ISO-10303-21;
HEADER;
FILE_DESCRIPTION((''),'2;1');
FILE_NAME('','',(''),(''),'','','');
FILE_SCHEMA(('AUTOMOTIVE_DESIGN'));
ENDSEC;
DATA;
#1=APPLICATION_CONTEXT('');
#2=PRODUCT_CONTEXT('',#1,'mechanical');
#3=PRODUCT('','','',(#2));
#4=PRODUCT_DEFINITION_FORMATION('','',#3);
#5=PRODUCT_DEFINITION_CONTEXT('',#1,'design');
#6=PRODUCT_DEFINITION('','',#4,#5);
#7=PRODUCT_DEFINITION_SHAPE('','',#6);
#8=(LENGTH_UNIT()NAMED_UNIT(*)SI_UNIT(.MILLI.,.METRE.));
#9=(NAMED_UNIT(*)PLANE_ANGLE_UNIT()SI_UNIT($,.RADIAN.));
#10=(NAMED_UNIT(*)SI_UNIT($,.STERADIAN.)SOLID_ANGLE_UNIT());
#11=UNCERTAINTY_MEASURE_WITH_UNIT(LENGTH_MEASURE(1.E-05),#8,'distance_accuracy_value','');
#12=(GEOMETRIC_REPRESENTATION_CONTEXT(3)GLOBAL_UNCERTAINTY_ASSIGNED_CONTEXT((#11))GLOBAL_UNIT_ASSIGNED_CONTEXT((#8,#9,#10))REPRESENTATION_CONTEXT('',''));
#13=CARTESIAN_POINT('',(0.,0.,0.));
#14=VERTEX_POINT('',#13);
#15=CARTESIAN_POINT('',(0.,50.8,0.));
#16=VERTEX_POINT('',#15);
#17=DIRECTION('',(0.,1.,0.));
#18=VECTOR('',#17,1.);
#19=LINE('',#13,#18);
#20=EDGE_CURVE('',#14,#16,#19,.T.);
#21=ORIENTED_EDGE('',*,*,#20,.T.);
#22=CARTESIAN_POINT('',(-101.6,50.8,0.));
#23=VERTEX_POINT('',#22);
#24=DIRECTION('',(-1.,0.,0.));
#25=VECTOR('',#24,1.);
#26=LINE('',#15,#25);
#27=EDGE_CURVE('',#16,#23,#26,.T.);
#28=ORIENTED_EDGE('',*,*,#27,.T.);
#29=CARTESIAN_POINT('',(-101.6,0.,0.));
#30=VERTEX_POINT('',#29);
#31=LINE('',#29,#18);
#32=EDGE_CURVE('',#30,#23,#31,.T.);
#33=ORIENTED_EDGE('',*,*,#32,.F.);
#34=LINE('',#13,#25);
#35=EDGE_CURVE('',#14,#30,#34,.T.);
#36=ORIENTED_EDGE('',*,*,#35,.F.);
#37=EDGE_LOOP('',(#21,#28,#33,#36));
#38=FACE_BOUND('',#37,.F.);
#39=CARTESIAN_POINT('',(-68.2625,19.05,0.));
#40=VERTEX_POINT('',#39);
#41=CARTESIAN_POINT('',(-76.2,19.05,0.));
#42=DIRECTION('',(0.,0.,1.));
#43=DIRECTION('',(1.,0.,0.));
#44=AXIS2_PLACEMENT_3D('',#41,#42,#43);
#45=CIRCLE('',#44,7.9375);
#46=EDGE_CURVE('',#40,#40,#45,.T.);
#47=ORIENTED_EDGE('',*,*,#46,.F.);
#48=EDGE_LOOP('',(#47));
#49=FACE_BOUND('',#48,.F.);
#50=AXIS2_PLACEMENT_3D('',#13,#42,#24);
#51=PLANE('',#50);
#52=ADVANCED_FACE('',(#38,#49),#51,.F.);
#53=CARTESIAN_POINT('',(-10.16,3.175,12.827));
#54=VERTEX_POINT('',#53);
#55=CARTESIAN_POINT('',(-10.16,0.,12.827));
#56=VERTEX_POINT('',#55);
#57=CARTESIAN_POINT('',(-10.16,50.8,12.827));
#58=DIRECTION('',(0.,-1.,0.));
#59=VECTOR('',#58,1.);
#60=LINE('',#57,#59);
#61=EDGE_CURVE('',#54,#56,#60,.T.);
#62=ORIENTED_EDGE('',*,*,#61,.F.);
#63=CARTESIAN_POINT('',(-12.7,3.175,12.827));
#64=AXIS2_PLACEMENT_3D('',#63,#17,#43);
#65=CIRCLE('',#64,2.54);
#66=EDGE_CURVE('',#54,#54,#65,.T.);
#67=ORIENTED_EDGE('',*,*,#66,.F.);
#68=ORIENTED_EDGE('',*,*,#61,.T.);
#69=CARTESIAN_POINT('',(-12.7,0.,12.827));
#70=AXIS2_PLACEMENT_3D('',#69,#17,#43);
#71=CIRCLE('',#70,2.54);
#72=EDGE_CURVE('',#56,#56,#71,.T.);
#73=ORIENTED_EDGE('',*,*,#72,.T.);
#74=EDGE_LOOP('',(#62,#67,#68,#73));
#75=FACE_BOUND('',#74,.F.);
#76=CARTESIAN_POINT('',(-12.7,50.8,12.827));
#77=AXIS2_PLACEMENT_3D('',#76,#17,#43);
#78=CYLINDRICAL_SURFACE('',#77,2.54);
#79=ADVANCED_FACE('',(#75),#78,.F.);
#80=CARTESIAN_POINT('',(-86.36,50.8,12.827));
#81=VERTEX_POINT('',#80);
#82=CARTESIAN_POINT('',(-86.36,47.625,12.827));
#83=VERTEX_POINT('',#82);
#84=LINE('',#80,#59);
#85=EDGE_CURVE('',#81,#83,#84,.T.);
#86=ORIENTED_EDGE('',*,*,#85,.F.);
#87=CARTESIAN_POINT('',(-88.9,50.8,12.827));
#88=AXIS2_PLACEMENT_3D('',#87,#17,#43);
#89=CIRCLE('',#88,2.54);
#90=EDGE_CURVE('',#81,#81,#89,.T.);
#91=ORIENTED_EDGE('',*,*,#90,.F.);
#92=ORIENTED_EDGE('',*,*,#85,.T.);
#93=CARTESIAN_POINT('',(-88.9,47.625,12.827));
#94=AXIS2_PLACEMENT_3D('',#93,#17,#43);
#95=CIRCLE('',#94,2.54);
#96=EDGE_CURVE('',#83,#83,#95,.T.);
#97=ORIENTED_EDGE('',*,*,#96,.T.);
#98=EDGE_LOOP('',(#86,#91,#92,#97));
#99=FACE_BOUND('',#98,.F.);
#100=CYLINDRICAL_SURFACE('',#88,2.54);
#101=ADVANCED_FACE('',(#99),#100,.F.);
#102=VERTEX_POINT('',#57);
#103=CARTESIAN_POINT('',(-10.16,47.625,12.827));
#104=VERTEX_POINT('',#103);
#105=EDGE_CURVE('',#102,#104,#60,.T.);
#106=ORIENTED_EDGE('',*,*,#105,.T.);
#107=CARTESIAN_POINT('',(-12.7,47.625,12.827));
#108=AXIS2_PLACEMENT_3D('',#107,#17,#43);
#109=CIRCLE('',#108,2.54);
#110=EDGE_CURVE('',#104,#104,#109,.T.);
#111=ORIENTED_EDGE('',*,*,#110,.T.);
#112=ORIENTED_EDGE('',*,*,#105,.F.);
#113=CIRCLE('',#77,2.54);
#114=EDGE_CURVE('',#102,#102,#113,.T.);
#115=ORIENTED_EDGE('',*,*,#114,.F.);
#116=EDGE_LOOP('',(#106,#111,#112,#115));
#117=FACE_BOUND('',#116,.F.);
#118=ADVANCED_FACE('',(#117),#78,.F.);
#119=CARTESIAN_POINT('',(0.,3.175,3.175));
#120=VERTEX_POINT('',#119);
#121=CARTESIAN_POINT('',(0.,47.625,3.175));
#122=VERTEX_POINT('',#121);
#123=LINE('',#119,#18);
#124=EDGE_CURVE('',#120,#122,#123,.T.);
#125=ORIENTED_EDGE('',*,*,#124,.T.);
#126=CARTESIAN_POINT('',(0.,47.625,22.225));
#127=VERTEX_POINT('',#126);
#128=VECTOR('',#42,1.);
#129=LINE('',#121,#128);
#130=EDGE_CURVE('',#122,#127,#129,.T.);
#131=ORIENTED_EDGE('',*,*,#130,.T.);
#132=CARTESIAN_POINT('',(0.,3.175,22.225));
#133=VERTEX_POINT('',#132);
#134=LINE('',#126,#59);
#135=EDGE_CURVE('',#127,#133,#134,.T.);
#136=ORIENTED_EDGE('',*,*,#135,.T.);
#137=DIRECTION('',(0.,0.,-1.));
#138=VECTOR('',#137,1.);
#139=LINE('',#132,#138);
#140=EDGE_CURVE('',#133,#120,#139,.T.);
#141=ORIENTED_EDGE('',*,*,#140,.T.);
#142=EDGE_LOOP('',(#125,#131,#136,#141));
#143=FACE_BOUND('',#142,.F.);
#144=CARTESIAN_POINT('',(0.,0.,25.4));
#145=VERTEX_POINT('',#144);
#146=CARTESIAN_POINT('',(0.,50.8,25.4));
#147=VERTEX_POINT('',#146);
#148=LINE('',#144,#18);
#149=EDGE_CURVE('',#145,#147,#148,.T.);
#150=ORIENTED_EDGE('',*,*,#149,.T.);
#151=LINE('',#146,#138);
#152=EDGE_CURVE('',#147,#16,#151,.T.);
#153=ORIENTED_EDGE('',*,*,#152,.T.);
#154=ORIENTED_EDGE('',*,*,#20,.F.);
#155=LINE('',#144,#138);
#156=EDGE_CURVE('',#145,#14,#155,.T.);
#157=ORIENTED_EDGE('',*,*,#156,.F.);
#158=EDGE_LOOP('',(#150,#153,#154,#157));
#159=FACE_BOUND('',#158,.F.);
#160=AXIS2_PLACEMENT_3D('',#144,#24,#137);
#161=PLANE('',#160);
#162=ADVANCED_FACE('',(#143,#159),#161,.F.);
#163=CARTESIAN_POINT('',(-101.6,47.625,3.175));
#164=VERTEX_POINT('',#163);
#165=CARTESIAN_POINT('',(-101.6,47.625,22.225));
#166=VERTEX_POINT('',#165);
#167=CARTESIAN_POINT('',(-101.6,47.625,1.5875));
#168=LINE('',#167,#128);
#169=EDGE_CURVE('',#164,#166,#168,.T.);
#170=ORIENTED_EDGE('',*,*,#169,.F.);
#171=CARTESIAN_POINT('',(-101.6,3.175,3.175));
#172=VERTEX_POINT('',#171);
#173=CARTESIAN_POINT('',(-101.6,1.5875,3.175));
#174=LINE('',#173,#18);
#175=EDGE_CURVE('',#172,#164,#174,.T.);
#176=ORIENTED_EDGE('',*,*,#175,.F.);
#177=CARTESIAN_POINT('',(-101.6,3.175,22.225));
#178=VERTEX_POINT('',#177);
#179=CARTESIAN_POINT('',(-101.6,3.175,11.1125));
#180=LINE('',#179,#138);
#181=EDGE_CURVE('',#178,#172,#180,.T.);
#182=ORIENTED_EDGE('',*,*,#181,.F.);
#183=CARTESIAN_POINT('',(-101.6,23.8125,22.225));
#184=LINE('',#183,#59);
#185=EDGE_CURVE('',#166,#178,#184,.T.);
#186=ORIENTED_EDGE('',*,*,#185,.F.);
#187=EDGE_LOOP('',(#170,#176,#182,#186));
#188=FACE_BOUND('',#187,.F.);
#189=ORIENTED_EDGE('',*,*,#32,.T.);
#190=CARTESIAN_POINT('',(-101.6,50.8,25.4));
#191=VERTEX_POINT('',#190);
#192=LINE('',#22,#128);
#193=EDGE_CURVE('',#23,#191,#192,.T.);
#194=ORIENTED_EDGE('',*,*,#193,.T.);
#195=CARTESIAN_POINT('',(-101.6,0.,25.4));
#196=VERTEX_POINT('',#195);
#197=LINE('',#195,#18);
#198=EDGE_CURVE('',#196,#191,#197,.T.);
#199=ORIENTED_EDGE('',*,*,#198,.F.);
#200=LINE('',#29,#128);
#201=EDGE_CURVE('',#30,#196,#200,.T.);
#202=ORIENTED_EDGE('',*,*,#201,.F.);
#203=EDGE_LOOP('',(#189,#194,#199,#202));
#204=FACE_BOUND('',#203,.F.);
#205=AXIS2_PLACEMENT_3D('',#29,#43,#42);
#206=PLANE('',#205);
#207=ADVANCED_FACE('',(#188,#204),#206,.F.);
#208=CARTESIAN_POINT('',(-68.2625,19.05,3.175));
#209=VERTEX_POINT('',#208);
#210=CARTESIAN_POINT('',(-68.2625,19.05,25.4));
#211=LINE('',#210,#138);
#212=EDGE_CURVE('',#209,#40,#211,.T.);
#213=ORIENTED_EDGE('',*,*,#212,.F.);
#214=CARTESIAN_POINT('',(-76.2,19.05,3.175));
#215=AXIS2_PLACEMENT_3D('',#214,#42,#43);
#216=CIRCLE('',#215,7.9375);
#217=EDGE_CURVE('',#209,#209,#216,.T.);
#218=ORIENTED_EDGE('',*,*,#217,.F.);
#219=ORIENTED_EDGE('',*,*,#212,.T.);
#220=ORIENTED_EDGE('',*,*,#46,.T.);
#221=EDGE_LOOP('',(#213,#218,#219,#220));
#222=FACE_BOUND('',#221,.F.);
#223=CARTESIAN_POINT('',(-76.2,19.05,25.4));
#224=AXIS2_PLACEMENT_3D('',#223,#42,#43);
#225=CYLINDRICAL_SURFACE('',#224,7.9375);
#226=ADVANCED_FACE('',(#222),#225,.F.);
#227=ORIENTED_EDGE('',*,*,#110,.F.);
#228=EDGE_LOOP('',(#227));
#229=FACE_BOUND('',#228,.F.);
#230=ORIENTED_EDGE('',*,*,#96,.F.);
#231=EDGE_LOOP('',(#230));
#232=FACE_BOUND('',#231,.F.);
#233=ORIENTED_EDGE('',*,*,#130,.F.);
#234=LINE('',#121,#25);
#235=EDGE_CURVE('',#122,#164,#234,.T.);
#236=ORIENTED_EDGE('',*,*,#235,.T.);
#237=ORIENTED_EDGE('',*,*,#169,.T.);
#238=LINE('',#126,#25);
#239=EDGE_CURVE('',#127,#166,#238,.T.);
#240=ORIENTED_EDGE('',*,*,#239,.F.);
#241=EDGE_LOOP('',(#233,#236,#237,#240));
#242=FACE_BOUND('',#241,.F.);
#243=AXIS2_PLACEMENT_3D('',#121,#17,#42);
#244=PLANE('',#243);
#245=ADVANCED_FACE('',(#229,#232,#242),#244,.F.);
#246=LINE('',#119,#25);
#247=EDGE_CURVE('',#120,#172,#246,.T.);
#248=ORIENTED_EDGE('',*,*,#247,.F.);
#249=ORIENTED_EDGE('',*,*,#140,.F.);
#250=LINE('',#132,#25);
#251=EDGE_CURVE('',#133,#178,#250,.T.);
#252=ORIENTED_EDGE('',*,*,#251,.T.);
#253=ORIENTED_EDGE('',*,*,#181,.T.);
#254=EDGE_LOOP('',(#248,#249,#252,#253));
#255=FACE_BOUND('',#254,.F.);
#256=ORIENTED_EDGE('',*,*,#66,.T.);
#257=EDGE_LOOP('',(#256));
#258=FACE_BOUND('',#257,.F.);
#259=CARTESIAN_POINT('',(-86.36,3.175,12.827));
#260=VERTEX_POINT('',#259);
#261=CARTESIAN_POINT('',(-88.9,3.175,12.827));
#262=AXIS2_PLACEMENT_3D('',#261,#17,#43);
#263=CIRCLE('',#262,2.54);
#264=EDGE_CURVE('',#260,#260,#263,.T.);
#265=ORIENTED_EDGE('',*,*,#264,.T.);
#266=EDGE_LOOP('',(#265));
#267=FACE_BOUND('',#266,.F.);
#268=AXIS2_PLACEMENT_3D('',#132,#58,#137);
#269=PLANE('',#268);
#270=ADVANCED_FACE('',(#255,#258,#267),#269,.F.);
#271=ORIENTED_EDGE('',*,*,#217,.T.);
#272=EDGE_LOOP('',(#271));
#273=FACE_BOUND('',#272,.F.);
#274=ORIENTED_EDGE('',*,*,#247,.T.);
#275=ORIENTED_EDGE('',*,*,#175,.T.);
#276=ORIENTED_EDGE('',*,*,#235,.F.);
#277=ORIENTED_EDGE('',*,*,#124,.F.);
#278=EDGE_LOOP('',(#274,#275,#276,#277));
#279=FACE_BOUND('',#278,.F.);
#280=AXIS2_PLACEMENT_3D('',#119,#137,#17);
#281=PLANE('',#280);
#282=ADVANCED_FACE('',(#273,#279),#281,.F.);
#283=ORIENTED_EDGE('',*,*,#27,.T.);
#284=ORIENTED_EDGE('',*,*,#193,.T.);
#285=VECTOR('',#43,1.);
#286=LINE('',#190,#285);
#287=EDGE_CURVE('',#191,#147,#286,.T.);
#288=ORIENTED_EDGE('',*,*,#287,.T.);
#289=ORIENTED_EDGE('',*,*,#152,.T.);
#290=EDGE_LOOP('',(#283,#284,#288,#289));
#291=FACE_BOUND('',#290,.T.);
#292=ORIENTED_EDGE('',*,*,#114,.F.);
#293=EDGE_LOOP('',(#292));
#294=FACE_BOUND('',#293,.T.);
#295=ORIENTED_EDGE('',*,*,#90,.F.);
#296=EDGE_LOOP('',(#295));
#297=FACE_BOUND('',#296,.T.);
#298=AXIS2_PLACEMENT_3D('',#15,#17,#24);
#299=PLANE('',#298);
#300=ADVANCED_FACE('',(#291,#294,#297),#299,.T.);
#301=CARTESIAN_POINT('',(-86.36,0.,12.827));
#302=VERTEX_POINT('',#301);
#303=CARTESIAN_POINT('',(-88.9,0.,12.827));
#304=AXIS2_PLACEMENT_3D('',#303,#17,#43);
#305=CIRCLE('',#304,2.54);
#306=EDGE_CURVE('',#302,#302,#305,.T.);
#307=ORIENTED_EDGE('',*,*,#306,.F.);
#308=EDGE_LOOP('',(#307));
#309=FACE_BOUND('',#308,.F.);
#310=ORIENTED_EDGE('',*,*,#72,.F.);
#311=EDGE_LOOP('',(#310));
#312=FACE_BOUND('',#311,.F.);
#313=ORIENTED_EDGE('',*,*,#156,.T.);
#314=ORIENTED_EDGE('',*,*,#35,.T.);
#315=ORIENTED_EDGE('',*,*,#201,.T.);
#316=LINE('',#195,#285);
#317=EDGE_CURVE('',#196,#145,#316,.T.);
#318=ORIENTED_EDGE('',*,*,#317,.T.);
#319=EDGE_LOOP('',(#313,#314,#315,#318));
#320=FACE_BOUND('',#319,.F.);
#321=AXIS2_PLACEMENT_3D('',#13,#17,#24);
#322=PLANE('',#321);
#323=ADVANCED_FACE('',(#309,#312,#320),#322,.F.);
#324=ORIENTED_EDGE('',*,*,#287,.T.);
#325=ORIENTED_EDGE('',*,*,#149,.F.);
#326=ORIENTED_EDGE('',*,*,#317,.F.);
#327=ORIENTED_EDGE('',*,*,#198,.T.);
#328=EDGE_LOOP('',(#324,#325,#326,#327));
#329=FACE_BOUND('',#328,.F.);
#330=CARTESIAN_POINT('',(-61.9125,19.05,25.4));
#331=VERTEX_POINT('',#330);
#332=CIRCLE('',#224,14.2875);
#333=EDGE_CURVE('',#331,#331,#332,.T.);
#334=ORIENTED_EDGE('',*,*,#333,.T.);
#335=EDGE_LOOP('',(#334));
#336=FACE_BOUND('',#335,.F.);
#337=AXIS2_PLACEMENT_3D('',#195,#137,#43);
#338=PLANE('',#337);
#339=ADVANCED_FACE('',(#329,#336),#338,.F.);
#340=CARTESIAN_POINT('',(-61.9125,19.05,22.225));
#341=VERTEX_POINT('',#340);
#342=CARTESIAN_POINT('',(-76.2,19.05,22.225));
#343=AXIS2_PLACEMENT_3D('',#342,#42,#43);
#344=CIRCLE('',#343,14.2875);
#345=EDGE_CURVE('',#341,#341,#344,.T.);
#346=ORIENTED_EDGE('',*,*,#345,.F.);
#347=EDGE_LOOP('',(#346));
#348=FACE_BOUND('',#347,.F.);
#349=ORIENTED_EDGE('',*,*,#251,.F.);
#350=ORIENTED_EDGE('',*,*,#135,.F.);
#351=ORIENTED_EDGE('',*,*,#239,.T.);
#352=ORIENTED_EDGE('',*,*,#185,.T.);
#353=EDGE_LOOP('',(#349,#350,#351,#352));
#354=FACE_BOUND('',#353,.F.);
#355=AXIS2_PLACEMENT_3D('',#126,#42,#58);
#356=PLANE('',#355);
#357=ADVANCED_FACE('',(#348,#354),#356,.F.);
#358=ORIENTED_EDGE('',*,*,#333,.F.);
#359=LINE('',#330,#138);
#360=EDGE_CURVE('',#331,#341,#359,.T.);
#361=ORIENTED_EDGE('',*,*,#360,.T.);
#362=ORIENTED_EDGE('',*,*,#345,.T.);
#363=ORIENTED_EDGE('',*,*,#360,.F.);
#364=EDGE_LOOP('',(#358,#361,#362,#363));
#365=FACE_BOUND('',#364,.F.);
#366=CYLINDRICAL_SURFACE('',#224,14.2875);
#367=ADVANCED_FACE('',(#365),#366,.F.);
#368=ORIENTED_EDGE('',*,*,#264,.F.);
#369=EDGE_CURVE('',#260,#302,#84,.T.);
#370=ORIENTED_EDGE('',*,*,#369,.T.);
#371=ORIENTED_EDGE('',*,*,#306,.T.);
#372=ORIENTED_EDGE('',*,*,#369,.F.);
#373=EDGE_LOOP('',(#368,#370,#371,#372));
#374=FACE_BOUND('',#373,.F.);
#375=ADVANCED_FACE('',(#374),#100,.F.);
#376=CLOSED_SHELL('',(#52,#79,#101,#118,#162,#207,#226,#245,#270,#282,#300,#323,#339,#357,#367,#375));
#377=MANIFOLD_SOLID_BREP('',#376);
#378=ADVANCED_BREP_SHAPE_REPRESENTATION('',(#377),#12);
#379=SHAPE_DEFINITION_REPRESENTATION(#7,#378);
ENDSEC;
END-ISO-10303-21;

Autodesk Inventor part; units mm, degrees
ref_plane "YZ Plane" through (0, 0, 0) normal (1, 0, 0) x (0, 1, 0)
ref_plane "XZ Plane" through (0, 0, 0) normal (0, 1, 0) x (-1, 0, 0)
ref_plane "XY Plane" through (0, 0, 0) normal (0, 0, 1) x (1, 0, 0)
sketch "Sketch1" plane through (0, 0, 0) normal (0, 1, 0) x (-1, 0, 0)
  line L0 (0, 0) -> (101.6, 0)
  line L1 (101.6, 0) -> (101.6, 25.4)
  line L2 (101.6, 25.4) -> (0, 25.4)
  line L3 (0, 25.4) -> (0, 0)
  dimension "d0" = 101.6
  dimension "d1" = 25.4
extrude "Extrusion1" add sketch "Sketch1" along normal blind 50.8
sketch "Sketch2" plane through (-101.6, 0, 25.4) normal (0, 0, 1) x (1, 0, 0)
  circle A0 centre (25.4, 19.05) radius 7.9375
  line L0 (101.6, 50.8) -> (0, 50.8) projected
  line L1 (101.6, 0) -> (101.6, 50.8) projected
  dimension "d4" = 15.875
  dimension "d5" = 31.75
  dimension "d6" = 76.2
extrude "Extrusion2" cut sketch "Sketch2" against normal blind 111.125
sketch "Sketch3" plane through (0, 0, 25.4) normal (1, 0, 0) x (0, 0, -1)
  line L0 (3.175, 3.175) -> (22.225, 3.175)
  line L1 (22.225, 3.175) -> (22.225, 47.625)
  line L2 (22.225, 47.625) -> (3.175, 47.625)
  line L3 (3.175, 47.625) -> (3.175, 3.175)
  line L4 (0, 0) -> (0, 50.8) projected
  line L5 (0, 0) -> (25.4, 0) projected
  line L6 (25.4, 0) -> (25.4, 50.8) projected
  line L7 (25.4, 50.8) -> (0, 50.8) projected
  dimension "d9" = 3.175
  dimension "d10" = 3.175
  dimension "d11" = 3.175
  dimension "d12" = 3.175
extrude "Extrusion3" cut sketch "Sketch3" against normal blind 111.125 contours L3 L2 L1 L0
sketch "Sketch4" plane through (0, 50.8, 0) normal (0, 1, 0) x (1, 0, 0)
  circle A0 centre (-12.7, -12.827) radius 2.54
  circle A1 centre (-88.9, -12.827) radius 2.54
  line L0 (0, 0) -> (-101.6, 0) projected
  line L1 (-101.6, 0) -> (-101.6, -25.4) projected
  line L2 (0, -25.4) -> (0, 0) projected
  dimension "d15" = 5.08
  dimension "d16" = 12.827
  dimension "d17" = 12.7
  dimension "d18" = 5.08
  dimension "d19" = 12.827
  dimension "d20" = 12.7
  dimension "d21" = 76.2
extrude "Extrusion4" cut sketch "Sketch4" against normal blind 111.125
sketch "Sketch5" plane through (-101.6, 0, 25.4) normal (0, 0, 1) x (1, 0, 0)
  circle A0 centre (25.4, 19.05) radius 7.9375 projected
  circle A1 centre (25.4, 19.05) radius 14.2875
  point P0 (101.6, 0)
  dimension "d24" = 28.575
extrude "Extrusion5" cut sketch "Sketch5" against normal blind 5.08
properties part number "15102898-16-P-0306" material "Aluminum 6061"
